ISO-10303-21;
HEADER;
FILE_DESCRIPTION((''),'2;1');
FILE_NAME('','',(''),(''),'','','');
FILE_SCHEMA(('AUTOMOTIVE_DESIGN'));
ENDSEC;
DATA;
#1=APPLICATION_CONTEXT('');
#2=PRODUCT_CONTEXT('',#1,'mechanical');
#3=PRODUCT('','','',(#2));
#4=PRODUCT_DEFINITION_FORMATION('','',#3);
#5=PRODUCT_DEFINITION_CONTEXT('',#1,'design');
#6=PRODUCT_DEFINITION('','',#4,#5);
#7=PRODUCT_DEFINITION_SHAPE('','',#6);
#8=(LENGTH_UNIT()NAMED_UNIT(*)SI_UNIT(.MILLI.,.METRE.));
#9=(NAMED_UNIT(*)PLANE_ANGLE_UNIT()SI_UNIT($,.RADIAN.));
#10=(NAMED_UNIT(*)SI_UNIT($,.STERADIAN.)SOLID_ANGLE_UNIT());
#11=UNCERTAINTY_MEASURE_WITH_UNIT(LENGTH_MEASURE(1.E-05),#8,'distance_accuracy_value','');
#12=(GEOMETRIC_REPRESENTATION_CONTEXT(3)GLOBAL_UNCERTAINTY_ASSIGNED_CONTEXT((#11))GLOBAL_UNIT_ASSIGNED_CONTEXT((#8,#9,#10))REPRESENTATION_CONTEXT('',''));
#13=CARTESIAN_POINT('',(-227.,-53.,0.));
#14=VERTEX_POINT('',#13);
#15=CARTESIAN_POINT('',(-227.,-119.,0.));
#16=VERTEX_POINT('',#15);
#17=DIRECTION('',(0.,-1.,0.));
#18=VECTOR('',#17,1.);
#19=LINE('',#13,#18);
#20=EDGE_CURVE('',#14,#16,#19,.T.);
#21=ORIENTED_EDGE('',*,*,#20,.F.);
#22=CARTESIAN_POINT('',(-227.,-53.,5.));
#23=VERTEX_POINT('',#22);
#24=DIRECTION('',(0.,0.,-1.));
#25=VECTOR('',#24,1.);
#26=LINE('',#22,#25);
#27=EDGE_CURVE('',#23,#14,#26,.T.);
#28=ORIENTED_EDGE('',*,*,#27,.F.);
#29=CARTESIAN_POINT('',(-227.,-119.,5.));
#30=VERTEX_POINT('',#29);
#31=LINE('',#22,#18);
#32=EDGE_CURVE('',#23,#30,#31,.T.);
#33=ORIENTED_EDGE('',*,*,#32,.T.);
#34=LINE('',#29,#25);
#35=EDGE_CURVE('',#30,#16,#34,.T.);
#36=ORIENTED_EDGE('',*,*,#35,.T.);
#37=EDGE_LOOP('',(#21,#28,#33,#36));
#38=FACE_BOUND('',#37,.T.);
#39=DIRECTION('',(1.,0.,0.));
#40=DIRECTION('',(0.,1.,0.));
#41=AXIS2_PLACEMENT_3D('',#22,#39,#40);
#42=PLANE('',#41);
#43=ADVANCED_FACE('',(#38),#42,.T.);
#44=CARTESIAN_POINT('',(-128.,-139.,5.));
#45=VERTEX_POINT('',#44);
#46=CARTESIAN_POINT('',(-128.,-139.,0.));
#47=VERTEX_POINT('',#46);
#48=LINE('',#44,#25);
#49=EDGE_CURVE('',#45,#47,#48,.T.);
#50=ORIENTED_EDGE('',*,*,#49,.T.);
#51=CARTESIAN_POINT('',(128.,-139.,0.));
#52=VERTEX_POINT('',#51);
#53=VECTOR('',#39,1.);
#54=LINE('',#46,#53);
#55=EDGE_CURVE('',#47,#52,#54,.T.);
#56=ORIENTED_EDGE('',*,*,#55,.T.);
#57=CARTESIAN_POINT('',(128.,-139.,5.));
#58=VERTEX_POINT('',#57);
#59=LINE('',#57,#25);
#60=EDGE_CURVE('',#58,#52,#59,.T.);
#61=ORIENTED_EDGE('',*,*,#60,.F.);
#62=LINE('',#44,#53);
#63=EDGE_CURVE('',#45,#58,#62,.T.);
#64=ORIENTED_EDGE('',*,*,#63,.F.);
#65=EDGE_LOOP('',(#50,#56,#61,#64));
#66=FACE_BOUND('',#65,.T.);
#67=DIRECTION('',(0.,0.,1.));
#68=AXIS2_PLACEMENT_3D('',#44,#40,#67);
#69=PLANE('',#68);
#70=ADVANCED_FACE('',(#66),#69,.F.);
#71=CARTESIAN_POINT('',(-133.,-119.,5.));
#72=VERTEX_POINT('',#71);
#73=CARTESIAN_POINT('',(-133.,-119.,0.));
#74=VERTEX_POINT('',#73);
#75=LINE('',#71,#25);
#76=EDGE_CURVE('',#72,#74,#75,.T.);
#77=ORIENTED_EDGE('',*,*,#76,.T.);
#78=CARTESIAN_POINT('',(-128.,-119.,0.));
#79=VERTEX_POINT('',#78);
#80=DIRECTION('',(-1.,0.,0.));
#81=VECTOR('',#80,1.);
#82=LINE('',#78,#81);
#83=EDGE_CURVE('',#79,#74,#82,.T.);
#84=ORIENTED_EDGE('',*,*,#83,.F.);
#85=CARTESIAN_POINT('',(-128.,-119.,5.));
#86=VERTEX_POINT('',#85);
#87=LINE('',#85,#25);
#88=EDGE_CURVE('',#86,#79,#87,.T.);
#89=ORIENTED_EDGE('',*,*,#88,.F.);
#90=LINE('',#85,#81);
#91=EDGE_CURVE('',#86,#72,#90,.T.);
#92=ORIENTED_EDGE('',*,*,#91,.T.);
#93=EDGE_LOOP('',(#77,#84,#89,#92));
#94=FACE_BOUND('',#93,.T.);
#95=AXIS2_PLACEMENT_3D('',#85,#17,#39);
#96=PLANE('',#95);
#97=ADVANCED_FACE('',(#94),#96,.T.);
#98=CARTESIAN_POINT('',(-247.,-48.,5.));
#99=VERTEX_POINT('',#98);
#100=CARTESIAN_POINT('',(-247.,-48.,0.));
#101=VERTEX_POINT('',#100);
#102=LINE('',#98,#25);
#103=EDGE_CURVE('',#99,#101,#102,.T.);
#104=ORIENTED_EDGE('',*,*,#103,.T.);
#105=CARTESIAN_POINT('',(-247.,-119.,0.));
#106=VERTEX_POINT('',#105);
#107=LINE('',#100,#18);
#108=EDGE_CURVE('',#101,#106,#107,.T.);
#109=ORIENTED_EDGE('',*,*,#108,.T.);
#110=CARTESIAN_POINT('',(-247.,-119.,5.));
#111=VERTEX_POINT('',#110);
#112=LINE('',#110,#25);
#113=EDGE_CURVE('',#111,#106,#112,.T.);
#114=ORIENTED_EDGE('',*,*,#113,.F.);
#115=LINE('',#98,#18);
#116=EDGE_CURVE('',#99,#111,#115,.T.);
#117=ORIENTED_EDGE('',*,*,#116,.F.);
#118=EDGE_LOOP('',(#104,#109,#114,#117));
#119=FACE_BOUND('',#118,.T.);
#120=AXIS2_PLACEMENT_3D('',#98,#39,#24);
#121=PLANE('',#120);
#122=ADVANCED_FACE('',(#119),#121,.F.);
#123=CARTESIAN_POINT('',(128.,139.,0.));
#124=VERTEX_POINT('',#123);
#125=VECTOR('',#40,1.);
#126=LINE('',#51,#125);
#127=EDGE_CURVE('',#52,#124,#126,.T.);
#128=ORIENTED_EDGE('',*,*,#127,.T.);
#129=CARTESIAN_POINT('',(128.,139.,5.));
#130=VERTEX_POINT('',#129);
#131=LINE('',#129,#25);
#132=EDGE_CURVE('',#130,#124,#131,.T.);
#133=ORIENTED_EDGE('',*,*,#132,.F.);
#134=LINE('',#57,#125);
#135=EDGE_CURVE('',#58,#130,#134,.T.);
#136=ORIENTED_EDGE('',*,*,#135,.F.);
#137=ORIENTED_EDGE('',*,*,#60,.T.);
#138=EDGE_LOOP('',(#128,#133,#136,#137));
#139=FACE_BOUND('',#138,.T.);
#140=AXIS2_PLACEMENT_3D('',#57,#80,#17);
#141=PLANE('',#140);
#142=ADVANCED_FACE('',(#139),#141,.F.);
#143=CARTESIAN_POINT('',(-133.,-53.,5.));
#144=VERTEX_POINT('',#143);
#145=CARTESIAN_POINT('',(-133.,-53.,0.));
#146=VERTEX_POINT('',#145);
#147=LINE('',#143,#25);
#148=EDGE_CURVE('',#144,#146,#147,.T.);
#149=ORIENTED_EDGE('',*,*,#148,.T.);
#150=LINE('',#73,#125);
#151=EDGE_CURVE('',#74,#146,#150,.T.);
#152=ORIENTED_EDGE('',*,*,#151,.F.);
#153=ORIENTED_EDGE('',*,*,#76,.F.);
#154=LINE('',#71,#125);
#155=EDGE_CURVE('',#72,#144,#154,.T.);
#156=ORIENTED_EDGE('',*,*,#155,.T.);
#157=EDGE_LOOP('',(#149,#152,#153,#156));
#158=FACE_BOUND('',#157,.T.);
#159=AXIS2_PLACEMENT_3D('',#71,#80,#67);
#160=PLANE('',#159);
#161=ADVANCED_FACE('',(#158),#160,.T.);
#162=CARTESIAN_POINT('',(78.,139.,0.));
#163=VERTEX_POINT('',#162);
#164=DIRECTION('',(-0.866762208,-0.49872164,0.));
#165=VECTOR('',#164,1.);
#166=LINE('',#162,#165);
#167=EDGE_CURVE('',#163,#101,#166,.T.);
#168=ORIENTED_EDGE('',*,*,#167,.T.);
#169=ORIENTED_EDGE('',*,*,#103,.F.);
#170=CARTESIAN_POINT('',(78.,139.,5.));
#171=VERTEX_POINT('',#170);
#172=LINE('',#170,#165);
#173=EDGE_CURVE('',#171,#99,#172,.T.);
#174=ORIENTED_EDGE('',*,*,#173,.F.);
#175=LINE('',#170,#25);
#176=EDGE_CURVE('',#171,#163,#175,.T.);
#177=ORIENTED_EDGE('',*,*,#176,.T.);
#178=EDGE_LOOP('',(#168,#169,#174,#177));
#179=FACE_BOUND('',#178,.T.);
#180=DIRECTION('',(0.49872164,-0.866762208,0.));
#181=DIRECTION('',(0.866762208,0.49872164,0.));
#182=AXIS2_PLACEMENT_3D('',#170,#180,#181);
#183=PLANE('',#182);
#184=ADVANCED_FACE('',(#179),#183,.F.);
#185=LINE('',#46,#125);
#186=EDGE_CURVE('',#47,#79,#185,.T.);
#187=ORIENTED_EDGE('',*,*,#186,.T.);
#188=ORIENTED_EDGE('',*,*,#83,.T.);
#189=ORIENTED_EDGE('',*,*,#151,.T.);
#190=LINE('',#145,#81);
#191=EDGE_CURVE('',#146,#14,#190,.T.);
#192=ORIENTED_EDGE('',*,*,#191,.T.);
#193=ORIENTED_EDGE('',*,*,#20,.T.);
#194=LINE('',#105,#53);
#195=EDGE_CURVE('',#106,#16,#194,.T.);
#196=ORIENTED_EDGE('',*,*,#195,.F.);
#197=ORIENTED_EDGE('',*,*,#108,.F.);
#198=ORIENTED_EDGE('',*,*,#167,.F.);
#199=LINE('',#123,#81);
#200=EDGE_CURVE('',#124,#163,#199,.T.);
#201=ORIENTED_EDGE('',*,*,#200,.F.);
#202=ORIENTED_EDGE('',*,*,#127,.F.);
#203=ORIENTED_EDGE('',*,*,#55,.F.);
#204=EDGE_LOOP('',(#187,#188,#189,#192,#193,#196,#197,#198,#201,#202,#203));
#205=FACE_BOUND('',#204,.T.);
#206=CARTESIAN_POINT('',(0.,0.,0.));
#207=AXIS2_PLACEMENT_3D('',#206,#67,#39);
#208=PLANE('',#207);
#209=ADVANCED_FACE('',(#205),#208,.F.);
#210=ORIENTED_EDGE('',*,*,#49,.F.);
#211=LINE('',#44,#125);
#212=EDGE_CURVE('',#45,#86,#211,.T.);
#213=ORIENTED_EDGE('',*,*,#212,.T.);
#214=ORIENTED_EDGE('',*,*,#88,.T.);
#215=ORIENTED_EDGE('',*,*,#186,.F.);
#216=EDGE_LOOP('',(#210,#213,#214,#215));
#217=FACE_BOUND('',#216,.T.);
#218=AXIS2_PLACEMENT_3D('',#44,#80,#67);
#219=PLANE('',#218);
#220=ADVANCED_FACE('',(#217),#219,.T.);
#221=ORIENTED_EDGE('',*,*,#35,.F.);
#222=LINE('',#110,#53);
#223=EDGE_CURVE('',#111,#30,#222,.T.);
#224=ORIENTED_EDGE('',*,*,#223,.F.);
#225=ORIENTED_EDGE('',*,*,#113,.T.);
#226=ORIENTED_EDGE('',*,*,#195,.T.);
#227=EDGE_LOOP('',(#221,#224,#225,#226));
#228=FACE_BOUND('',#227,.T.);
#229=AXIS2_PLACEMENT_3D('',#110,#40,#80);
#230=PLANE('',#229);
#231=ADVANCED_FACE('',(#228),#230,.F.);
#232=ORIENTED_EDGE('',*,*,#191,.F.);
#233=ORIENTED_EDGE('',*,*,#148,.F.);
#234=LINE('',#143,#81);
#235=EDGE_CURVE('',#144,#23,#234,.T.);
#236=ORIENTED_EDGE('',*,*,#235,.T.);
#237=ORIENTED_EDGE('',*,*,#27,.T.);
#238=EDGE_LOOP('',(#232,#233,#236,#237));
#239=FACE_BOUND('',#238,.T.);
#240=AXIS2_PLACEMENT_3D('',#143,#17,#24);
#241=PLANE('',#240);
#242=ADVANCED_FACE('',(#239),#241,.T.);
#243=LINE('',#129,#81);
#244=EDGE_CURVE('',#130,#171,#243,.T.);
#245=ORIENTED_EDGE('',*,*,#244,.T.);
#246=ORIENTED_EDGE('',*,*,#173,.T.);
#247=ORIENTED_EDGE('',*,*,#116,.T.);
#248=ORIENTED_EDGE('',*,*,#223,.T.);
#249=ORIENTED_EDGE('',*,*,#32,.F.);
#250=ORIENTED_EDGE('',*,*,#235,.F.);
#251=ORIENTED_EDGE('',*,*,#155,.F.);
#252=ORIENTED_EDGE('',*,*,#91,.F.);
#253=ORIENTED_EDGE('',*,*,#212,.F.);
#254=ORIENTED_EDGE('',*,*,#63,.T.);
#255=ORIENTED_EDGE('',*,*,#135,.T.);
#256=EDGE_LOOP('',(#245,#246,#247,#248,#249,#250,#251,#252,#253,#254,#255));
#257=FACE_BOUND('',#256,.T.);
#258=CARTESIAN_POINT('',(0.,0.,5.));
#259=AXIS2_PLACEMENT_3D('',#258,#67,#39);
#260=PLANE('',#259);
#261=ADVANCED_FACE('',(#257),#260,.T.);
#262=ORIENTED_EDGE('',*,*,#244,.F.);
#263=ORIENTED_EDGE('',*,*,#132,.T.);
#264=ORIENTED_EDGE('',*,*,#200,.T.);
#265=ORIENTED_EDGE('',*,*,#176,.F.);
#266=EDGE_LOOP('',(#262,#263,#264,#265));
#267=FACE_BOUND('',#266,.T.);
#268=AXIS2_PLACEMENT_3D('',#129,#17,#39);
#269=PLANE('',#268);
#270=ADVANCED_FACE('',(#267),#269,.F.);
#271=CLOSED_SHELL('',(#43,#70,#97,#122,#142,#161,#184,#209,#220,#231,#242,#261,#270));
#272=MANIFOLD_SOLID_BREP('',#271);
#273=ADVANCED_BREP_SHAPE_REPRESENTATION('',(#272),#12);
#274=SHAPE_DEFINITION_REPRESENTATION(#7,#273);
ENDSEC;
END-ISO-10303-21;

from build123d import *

# Parameters (mm, degrees)
EXTRUDE_1_DEPTH = 5


with BuildPart() as part:
    # 스케치1 → 보스-돌출1 (new body)
    with BuildSketch(Plane.XY):
        Polygon((-128, -139), (128, -139), (128, 139), (78, 139), (-247, -48), (-247, -119), (-227, -119), (-227, -53), (-133, -53), (-133, -119), (-128, -119), align=None)
    extrude(amount=EXTRUDE_1_DEPTH)


solid = part.part
